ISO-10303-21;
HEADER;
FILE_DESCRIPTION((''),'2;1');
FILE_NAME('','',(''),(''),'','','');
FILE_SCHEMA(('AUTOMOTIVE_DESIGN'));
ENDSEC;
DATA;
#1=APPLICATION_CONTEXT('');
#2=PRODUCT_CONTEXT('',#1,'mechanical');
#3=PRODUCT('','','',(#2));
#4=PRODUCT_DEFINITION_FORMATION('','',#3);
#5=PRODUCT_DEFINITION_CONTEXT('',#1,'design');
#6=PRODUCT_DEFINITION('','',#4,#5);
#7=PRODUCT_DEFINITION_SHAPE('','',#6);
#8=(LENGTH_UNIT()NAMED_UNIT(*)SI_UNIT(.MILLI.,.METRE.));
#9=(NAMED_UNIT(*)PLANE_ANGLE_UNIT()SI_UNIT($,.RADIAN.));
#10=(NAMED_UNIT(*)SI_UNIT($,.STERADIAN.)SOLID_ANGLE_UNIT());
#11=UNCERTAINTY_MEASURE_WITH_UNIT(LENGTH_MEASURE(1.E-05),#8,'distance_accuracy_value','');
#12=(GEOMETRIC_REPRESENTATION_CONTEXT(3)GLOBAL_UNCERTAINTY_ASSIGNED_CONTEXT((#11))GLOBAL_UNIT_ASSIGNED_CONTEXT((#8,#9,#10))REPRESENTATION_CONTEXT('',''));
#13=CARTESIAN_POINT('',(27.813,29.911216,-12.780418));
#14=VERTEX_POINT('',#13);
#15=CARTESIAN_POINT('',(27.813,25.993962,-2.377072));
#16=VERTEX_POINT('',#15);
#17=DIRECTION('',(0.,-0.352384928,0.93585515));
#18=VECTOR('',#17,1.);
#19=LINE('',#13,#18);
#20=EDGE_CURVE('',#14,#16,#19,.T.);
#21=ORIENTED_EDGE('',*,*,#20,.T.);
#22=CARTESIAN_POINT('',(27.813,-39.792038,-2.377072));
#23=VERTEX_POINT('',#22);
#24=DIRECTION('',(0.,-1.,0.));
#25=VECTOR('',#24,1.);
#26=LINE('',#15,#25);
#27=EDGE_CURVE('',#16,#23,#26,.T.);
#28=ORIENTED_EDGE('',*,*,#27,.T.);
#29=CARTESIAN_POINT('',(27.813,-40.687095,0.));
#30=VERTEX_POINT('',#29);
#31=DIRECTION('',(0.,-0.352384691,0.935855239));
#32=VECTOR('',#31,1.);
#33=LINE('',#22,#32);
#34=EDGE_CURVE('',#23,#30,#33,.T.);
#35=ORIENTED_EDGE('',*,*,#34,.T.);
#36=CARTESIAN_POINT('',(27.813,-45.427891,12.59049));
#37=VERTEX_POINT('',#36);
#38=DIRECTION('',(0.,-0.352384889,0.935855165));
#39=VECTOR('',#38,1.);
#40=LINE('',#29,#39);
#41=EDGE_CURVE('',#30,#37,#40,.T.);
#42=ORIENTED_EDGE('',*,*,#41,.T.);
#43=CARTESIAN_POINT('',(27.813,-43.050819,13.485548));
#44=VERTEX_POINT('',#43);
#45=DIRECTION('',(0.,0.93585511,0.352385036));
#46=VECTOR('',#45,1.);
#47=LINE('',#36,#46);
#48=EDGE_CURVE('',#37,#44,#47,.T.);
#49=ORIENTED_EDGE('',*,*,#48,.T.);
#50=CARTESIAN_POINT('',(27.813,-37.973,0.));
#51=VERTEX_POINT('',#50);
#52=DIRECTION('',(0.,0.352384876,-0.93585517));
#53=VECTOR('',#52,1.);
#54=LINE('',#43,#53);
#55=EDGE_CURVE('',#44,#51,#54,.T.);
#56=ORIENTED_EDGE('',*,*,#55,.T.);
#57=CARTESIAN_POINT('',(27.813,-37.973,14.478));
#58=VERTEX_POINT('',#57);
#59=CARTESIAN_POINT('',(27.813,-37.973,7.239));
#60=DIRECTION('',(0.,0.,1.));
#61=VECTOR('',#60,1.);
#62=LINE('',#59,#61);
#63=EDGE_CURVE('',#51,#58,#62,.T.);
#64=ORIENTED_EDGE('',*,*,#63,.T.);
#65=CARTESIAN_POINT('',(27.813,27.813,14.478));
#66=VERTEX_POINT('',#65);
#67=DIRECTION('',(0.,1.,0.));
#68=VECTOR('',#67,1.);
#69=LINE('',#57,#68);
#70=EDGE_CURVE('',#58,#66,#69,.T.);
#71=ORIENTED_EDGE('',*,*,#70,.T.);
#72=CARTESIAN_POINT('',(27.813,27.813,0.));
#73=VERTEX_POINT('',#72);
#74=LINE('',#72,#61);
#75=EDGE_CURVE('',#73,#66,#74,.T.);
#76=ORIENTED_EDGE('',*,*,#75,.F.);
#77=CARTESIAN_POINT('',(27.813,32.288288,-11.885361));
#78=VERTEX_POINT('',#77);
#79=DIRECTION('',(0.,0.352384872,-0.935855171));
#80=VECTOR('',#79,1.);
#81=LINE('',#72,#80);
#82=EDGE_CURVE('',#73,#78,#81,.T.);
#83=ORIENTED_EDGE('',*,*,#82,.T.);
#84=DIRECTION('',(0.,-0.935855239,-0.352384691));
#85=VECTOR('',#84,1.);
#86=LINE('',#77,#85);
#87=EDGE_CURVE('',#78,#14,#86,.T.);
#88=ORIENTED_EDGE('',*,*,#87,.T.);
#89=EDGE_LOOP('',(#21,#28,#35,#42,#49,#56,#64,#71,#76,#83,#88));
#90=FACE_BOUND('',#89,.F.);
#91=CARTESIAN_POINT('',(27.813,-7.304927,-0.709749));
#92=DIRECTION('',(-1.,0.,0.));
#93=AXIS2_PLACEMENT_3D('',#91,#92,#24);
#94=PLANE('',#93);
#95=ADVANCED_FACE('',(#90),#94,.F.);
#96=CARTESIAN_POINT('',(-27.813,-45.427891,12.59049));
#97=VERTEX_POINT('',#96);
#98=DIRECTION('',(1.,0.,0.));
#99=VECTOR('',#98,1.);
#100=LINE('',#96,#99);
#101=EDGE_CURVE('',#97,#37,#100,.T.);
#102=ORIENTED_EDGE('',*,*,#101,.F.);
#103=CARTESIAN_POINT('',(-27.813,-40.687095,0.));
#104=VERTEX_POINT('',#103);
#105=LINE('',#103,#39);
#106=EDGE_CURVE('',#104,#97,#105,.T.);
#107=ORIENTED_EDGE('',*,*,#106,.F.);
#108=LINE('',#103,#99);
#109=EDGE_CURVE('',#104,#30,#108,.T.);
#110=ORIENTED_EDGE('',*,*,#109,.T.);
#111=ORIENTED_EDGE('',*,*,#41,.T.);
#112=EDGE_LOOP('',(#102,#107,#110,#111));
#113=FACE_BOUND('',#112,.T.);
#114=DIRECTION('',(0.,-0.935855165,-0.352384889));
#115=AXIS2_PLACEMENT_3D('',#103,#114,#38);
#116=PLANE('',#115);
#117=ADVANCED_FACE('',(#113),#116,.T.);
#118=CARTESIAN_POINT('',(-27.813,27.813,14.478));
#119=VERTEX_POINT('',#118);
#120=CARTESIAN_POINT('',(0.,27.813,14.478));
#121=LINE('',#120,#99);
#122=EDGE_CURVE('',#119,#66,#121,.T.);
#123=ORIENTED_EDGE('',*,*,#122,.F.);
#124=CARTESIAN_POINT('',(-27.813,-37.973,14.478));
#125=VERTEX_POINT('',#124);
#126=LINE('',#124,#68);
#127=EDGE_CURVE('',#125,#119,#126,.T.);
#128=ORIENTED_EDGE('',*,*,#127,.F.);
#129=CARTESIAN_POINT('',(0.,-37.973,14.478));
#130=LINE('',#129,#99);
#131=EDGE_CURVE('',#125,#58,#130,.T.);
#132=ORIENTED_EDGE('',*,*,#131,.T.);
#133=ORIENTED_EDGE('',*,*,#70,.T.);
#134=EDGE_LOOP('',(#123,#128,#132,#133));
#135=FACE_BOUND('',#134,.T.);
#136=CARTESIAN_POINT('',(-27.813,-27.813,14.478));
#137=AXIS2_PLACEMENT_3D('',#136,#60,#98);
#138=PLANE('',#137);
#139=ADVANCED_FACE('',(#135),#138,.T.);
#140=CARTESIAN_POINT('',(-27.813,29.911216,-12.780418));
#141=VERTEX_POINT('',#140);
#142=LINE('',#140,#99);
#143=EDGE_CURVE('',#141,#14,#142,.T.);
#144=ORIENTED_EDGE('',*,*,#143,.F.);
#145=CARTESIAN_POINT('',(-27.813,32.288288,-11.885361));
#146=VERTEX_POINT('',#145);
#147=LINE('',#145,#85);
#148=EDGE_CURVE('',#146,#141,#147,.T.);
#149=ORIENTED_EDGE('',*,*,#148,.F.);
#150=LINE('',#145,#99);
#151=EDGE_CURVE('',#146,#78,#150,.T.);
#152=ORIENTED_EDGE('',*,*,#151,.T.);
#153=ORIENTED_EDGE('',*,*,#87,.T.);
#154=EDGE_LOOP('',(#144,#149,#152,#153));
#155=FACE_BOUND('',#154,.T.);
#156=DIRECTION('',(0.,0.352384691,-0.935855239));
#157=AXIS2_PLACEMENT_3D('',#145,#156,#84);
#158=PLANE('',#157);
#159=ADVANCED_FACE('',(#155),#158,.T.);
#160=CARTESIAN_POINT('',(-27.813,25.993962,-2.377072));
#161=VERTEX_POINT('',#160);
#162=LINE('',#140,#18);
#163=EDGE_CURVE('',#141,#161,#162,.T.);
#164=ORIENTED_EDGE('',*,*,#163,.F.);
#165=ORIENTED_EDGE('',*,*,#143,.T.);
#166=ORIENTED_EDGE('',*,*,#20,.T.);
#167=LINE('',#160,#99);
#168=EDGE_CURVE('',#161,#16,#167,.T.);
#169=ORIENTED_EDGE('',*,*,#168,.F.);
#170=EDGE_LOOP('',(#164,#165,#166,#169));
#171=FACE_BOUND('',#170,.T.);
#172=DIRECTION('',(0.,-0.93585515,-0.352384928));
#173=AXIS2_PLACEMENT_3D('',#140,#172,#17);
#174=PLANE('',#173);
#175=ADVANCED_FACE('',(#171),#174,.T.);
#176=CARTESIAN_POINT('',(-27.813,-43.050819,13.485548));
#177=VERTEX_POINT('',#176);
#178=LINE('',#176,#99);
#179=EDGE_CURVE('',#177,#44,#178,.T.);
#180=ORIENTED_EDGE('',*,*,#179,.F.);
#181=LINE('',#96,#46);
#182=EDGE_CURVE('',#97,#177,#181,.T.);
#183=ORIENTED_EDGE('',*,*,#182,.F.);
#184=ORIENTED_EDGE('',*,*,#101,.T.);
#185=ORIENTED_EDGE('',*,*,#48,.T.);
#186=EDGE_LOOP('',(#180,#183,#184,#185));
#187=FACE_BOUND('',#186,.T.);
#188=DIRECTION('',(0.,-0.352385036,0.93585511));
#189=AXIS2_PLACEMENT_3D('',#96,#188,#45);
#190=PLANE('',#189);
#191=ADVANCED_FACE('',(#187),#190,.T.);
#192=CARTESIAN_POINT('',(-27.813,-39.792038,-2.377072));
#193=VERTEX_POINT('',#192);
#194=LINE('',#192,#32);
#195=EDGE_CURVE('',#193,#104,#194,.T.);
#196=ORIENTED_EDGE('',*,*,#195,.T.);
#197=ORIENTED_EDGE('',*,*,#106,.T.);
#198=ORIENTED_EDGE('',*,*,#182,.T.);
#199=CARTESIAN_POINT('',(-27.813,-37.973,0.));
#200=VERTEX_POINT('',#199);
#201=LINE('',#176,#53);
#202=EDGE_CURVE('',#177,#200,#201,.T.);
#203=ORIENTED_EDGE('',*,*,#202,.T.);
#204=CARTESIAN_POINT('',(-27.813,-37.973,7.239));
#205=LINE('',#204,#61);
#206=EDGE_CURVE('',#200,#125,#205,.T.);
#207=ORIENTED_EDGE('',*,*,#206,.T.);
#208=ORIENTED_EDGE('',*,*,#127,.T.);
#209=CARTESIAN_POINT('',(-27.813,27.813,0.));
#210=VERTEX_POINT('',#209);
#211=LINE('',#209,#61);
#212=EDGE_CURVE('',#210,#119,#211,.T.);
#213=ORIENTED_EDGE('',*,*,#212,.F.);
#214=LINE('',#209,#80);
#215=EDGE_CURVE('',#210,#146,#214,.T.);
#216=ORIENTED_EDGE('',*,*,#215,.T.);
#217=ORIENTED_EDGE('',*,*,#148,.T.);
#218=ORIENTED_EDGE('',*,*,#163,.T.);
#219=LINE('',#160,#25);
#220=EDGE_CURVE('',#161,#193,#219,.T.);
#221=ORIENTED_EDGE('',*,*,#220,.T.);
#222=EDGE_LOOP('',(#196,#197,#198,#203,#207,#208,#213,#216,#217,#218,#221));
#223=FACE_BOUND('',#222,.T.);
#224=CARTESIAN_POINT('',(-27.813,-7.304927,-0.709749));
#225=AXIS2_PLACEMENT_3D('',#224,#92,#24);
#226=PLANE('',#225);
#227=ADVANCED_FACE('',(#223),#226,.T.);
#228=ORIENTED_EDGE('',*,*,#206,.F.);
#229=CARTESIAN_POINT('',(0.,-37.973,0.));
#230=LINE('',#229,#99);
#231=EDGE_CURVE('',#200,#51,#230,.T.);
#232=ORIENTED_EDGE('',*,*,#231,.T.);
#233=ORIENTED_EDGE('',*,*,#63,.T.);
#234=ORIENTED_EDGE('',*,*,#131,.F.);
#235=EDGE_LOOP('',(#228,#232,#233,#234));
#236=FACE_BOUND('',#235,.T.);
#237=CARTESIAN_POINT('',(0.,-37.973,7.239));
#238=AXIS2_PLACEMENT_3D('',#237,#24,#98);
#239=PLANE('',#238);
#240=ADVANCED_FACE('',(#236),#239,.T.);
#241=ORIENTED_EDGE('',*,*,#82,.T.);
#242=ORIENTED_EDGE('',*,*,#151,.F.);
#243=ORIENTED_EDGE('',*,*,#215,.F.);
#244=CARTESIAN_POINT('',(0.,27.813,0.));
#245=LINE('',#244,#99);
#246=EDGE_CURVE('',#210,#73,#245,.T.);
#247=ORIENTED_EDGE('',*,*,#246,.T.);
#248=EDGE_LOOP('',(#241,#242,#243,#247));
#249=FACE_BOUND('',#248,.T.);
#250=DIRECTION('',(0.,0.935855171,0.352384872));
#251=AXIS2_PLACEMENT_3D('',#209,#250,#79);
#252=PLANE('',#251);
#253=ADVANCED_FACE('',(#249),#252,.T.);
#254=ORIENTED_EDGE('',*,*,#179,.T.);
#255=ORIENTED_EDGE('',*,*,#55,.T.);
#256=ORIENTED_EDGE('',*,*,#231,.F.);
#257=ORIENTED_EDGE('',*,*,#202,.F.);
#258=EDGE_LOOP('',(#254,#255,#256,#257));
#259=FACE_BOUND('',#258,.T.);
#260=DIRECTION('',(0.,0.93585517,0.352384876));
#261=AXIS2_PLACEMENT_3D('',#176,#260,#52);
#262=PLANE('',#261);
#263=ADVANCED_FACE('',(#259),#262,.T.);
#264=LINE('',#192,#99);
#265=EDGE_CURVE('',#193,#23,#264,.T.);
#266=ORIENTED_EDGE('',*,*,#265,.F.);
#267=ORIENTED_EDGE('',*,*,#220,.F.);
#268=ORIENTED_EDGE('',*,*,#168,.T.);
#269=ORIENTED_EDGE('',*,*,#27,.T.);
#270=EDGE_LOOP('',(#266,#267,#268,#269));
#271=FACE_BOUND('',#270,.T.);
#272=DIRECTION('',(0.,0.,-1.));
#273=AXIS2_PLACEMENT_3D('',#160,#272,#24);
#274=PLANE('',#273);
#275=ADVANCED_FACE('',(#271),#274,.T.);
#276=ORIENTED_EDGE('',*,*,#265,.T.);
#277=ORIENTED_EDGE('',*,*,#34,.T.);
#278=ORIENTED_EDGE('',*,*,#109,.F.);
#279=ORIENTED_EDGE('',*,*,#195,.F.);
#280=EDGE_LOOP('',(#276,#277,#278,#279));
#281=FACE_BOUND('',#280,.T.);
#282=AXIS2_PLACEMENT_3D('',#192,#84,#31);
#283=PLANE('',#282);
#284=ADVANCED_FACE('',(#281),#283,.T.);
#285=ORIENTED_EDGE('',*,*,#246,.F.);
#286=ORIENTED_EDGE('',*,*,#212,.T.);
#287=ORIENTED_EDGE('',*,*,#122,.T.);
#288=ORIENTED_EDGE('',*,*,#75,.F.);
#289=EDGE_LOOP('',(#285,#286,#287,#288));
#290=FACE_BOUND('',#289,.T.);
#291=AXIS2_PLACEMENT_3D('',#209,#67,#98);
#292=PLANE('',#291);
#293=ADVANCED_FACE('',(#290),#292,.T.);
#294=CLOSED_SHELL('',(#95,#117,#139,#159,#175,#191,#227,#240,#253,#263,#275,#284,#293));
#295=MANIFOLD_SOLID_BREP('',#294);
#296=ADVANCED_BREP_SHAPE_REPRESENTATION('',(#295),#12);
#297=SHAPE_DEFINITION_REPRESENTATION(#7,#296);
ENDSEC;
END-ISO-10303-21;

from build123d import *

# Parameters (mm, degrees)
F0_W     = 55.626
F0_H     = 55.626
F1_DEPTH = 14.478
F2_W     = 55.626
F2_H     = 14.478
F3_DEPTH = 10.16
F5_DEPTH = 55.626


with BuildPart() as f1:
    # F0 (on Top) → F1 (new body)
    with BuildSketch(Plane.XY):
        Rectangle(F0_W, F0_H)
    extrude(amount=F1_DEPTH)

    # F2 (on face) → F3 (join)
    with BuildSketch(Plane.XZ.offset(27.813)):
        with Locations((0, 7.239)):
            Rectangle(F2_W, F2_H)
    extrude(amount=F3_DEPTH)

    # F4 (on face) → F5 (join)
    with BuildSketch(Plane(origin=(-27.813, 0, 0), x_dir=(0, -1, 0), z_dir=(-1, 0, 0))):
        Polygon((37.973, 0), (-27.813, 0), (-32.288288, -11.885361), (-29.911216, -12.780418), (-25.993962, -2.377072), (39.792038, -2.377072), (40.687095, 0), (45.427891, 12.59049), (43.050819, 13.485548), align=None)
    extrude(amount=-F5_DEPTH)


solid = f1.part
